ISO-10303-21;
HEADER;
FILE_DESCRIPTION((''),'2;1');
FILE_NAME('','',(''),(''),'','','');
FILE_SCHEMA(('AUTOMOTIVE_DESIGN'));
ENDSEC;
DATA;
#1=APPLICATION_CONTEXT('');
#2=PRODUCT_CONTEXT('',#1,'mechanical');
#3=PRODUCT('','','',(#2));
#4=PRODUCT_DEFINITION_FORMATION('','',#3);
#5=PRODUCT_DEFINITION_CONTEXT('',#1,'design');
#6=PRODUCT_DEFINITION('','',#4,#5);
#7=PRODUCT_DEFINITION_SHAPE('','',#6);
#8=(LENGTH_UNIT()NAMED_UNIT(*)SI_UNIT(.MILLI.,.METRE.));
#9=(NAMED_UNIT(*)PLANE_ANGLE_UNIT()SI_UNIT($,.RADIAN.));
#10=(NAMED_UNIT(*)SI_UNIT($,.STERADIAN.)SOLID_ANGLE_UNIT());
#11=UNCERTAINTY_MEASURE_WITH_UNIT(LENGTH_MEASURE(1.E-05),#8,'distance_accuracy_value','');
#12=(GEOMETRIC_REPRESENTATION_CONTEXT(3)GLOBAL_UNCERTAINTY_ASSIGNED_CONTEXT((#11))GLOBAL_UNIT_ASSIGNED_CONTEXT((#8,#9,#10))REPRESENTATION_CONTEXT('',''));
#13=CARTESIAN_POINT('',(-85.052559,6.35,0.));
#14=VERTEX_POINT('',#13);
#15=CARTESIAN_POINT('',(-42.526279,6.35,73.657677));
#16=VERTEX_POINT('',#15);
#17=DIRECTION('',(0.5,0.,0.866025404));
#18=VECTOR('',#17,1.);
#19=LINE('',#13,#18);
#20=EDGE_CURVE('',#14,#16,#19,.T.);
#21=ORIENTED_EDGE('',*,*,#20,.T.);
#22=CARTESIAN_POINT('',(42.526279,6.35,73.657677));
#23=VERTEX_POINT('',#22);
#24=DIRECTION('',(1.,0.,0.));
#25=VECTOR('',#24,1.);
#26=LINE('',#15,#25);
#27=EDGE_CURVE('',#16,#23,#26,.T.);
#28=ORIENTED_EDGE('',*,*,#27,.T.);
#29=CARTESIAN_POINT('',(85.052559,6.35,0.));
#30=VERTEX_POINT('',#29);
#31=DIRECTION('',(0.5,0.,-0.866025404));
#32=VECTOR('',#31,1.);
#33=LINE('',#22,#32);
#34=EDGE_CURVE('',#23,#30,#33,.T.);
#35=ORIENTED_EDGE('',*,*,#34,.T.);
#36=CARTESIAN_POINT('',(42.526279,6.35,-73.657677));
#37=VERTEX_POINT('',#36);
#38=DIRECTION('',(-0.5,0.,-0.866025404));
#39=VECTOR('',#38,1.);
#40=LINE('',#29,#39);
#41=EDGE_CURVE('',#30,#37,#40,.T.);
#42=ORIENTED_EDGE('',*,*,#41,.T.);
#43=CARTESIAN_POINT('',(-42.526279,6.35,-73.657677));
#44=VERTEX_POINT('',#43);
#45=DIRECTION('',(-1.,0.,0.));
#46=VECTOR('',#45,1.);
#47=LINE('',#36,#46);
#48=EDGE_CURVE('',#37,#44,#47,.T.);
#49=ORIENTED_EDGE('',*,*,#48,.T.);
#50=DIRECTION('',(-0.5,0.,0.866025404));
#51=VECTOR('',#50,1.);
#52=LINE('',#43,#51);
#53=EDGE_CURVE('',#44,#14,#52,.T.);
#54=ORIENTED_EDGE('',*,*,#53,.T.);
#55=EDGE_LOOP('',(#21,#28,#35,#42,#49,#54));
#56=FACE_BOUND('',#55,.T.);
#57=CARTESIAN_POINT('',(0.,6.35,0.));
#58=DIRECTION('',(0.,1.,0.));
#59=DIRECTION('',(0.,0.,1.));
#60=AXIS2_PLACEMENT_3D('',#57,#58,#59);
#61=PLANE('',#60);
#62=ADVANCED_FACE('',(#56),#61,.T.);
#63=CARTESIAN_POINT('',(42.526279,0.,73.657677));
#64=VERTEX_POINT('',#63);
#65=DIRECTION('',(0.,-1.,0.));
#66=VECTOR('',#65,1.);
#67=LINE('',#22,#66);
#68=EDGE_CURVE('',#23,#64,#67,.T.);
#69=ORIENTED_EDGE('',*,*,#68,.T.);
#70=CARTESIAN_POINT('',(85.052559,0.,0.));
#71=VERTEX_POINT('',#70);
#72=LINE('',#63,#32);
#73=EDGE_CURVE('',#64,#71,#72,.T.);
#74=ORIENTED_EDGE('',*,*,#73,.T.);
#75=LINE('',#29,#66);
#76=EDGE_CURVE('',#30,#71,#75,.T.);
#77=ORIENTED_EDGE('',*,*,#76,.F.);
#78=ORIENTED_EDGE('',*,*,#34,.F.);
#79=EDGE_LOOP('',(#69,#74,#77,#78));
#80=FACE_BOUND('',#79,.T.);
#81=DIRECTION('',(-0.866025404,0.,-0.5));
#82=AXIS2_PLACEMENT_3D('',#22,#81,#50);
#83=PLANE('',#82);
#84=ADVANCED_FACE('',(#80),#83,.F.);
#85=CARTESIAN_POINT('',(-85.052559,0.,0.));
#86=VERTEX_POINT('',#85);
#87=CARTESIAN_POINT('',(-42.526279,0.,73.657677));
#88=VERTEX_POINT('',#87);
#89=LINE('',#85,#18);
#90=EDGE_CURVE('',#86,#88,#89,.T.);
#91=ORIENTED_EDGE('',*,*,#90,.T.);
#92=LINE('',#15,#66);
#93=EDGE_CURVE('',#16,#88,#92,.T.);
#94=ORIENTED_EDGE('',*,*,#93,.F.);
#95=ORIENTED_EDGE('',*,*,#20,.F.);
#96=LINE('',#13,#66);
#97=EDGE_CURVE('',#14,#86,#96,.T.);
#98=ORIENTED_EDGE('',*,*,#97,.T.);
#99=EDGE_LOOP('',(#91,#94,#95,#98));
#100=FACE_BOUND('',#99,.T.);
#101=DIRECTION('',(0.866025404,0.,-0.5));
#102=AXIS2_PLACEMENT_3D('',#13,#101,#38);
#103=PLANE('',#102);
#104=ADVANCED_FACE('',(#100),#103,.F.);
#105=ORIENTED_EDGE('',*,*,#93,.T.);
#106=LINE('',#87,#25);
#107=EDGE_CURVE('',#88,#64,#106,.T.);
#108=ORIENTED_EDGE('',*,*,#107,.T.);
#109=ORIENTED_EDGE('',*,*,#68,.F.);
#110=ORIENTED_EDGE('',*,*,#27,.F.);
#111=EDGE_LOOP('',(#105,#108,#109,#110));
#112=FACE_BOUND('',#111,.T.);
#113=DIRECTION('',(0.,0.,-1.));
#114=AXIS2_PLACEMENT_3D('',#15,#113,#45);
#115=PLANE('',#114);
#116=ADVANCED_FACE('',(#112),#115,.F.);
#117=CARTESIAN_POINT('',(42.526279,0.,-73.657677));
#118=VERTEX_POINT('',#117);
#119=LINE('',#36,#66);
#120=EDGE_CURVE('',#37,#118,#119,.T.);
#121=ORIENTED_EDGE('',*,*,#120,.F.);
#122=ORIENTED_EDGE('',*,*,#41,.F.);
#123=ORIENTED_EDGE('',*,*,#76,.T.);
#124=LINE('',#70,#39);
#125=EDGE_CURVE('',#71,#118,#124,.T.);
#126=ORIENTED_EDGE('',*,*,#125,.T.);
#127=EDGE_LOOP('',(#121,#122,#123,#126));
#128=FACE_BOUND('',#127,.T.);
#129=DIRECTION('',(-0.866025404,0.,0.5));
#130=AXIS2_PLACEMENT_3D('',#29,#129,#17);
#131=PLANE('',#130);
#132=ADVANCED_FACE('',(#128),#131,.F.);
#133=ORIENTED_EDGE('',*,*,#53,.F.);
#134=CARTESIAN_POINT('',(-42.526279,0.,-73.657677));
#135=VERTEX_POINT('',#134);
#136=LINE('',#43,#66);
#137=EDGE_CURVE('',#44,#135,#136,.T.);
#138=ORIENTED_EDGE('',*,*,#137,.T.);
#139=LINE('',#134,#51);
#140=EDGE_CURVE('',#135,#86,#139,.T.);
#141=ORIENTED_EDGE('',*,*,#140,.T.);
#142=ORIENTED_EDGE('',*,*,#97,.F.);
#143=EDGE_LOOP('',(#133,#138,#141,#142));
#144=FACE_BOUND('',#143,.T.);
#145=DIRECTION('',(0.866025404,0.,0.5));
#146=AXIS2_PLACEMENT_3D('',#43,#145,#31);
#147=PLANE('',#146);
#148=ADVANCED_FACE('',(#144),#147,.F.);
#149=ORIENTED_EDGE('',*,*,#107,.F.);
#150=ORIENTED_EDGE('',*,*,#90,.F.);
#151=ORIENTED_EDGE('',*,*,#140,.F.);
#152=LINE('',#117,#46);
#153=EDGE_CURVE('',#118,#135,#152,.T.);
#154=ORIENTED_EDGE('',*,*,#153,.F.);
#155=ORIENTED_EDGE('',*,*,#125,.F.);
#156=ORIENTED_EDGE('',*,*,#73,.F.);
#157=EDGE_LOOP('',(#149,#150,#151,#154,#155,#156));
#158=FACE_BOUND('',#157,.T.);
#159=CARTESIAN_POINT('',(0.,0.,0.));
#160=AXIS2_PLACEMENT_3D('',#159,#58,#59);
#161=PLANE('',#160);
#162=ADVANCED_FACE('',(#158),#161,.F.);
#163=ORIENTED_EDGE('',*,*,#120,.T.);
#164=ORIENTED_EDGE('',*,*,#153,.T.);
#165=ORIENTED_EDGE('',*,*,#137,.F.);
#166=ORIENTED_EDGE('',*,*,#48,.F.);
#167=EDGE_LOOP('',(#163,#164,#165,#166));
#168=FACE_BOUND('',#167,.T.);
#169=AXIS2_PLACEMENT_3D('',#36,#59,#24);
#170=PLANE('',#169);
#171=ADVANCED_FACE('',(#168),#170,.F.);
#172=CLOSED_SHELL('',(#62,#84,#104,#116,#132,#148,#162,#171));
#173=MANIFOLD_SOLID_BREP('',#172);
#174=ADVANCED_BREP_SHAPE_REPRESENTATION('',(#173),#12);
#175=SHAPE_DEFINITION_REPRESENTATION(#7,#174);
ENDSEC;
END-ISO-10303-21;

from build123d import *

# Parameters (mm, degrees)
ACRYLIC_BASE_DEPTH = 6.35


with BuildPart() as part:
    # Gel Pad Pattern Sketch → Acrylic Base (new body)
    with BuildSketch(Plane(origin=(0, 0, 0), x_dir=(1, 0, 0), z_dir=(0, 1, 0))):
        Polygon((-42.526279442, -73.65767665), (42.526279442, -73.65767665), (85.052558883, 0), (42.526279442, 73.65767665), (-42.526279442, 73.65767665), (-85.052558883, 0), align=None)
    extrude(amount=ACRYLIC_BASE_DEPTH)


solid = part.part
